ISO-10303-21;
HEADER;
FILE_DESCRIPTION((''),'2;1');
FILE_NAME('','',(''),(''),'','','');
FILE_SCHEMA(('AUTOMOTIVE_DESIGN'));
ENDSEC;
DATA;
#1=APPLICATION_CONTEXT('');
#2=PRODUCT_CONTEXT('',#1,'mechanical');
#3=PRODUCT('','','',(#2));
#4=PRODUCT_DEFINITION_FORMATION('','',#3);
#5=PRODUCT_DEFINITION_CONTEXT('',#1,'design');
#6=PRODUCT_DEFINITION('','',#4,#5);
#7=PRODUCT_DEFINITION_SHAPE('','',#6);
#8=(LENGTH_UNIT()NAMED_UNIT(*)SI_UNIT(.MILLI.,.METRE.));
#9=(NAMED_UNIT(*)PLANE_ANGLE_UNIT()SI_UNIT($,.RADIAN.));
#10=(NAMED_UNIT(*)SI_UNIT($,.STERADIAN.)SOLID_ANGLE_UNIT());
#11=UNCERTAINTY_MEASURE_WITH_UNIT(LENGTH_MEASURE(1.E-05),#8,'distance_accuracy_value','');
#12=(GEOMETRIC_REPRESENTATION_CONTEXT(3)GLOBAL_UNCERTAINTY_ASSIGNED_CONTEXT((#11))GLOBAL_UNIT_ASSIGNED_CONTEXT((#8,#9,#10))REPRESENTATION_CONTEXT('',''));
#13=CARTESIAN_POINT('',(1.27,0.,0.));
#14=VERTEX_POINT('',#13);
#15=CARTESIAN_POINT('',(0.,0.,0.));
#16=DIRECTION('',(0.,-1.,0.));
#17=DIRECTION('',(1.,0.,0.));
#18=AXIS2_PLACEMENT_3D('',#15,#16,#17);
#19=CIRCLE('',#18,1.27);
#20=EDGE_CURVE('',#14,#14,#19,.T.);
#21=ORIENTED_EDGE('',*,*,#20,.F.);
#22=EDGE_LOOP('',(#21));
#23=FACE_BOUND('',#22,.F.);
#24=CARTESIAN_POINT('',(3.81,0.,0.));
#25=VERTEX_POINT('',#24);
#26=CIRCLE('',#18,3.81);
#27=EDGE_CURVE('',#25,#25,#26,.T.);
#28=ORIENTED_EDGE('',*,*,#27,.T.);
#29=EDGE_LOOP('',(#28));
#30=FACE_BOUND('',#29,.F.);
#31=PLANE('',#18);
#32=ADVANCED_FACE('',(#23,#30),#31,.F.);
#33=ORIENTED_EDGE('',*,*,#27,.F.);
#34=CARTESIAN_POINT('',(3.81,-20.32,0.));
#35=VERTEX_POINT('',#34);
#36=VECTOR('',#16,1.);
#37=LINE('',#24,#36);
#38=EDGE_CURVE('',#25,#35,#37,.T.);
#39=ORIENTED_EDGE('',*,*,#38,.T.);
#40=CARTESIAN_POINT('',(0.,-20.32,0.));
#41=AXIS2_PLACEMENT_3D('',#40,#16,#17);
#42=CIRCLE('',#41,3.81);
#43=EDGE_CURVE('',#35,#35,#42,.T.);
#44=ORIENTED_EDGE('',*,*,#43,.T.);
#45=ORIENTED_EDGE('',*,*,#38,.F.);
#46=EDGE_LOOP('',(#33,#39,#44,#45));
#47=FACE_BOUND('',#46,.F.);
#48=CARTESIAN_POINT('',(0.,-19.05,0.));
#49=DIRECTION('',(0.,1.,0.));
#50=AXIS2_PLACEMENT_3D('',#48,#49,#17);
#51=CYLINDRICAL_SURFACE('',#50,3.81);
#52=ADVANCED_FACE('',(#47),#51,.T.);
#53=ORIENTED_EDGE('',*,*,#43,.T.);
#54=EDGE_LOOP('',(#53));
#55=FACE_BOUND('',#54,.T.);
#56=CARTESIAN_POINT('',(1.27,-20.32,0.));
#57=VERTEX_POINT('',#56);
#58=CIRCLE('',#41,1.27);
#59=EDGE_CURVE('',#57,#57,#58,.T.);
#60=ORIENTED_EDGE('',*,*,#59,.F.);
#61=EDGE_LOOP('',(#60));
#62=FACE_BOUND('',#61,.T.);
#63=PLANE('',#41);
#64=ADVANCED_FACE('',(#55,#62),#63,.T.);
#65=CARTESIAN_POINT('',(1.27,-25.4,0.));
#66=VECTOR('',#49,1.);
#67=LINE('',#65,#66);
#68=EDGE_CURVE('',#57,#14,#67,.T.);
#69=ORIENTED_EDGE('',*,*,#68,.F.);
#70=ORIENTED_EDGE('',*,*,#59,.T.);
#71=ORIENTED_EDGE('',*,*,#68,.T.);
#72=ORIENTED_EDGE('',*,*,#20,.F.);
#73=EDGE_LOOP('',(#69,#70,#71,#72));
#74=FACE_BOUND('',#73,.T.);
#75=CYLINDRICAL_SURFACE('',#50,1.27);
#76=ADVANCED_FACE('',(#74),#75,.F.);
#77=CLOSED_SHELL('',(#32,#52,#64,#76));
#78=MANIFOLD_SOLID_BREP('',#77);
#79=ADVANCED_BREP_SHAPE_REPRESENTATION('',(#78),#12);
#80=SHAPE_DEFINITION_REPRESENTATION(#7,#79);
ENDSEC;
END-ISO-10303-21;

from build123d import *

# Parameters (mm, degrees)
F0_R     = 3.81
F0_R_2   = 1.27
F1_DEPTH = 19.05
F2_DEPTH = 6.35
F3_DEPTH = 5.08


with BuildPart() as f1:
    # F0 (on Front) → F1 (new body)
    with BuildSketch(Plane.XZ):
        Circle(F0_R)
        Circle(F0_R_2, mode=Mode.SUBTRACT)
    extrude(amount=F1_DEPTH)

    # F2 (add): a face of the model
    f2_faces = [f1.faces().sort_by_distance(p)[0] for p in [
        (-3.7022369265, -19.05, 0),
    ]]
    extrude(f2_faces, amount=F2_DEPTH)

    # F3 (cut): a face of the model
    f3_faces = [f1.faces().sort_by_distance(p)[0] for p in [
        (-3.7022369265, -25.4, 0),
    ]]
    extrude(f3_faces, amount=-F3_DEPTH, mode=Mode.SUBTRACT)


solid = f1.part
